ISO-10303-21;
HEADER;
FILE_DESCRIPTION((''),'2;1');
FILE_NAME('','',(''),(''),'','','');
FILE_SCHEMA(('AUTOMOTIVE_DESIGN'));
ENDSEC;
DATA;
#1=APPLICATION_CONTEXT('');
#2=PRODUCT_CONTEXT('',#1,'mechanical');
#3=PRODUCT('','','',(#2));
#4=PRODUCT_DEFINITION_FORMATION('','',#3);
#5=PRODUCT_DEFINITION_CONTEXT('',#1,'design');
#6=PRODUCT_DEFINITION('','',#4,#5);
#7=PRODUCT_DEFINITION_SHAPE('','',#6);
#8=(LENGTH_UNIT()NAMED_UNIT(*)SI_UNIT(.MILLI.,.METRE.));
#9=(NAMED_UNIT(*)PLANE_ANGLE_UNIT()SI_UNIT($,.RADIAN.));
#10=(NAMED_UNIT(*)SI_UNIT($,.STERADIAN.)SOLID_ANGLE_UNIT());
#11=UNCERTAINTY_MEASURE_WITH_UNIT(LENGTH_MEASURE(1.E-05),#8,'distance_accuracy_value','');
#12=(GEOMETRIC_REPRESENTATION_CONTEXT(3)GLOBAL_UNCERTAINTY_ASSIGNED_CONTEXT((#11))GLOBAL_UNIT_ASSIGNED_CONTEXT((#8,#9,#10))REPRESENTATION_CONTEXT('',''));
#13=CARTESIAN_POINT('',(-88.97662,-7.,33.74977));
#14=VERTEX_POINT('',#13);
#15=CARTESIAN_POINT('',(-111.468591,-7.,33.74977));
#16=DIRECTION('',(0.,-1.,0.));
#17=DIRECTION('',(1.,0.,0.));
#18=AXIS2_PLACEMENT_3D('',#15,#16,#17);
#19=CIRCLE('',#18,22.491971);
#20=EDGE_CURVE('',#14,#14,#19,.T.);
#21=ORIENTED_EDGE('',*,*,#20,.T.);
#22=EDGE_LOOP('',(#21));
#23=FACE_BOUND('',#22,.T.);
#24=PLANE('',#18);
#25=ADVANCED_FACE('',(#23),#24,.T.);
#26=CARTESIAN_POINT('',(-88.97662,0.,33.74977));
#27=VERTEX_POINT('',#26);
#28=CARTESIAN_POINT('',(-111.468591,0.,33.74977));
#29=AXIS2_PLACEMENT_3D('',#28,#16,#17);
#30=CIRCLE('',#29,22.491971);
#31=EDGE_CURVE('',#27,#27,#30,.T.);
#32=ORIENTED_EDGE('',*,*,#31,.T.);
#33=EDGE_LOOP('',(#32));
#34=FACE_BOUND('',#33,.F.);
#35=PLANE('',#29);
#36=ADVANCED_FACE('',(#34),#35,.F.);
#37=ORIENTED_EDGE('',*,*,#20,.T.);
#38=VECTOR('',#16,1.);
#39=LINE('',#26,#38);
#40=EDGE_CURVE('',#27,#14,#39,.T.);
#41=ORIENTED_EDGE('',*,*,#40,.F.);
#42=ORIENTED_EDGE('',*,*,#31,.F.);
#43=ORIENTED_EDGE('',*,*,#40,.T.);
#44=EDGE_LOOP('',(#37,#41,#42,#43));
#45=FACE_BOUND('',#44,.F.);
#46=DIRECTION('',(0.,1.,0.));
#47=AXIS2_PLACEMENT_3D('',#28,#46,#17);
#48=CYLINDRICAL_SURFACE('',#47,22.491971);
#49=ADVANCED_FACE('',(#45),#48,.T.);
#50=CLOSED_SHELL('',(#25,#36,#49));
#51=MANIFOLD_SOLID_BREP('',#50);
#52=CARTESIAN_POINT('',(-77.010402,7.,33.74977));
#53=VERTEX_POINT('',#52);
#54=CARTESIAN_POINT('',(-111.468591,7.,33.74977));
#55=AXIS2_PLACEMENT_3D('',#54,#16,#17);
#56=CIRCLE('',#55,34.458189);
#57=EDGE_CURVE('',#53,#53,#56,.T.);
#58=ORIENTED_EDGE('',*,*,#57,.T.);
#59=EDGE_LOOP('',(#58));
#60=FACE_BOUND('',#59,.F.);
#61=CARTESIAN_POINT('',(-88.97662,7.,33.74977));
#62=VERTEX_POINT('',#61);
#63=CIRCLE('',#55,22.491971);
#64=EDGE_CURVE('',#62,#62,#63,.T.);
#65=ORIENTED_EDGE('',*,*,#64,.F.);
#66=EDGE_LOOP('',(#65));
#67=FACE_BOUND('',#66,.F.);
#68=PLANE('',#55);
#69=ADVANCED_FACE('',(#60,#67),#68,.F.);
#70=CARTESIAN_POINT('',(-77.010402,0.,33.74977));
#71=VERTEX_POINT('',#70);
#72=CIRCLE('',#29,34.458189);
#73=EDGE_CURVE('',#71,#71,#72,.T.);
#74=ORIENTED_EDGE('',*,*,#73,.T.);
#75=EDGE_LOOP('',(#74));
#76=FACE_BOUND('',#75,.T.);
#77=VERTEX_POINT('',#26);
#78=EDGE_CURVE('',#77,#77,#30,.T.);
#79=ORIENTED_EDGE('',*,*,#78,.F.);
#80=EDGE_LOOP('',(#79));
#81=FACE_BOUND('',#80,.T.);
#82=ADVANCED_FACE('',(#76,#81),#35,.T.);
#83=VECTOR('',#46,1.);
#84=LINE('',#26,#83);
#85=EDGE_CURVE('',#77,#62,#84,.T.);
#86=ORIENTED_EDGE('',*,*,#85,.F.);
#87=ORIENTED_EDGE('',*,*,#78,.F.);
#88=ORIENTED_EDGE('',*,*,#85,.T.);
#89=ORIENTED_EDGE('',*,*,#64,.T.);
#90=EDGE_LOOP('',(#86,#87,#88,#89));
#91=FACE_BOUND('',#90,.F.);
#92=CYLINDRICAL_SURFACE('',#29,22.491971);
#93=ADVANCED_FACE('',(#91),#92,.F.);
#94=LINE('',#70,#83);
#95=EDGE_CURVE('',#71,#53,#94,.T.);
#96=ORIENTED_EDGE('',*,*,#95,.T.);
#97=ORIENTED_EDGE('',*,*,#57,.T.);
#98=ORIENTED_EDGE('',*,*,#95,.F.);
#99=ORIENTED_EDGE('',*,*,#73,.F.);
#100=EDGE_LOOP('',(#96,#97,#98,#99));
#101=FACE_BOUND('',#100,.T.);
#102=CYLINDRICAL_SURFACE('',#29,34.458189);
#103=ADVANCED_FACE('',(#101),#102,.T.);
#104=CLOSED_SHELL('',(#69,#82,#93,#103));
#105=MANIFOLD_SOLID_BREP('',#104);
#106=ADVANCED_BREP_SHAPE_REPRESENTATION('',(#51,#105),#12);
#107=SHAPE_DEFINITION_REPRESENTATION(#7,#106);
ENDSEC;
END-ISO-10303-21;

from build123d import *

# Parameters (mm, degrees)
F0_R     = 22.491971
F1_DEPTH = 7
F0_R_2   = 34.458189
F2_DEPTH = 7


with BuildPart() as f1:
    # F0 (on Front) → F1 (new body)
    with BuildSketch(Plane.XZ):
        with Locations((-111.468591, 33.74977)):
            Circle(F0_R)
    extrude(amount=F1_DEPTH)


with BuildPart() as f2:
    # F0 (on Front) → F2 (new body)
    with BuildSketch(Plane.XZ):
        with Locations((-111.468591, 33.74977)):
            Circle(F0_R_2)
        with Locations((-111.468591, 33.74977)):
            Circle(F0_R, mode=Mode.SUBTRACT)
    extrude(amount=-F2_DEPTH)


solid = Compound([f1.part, f2.part])
